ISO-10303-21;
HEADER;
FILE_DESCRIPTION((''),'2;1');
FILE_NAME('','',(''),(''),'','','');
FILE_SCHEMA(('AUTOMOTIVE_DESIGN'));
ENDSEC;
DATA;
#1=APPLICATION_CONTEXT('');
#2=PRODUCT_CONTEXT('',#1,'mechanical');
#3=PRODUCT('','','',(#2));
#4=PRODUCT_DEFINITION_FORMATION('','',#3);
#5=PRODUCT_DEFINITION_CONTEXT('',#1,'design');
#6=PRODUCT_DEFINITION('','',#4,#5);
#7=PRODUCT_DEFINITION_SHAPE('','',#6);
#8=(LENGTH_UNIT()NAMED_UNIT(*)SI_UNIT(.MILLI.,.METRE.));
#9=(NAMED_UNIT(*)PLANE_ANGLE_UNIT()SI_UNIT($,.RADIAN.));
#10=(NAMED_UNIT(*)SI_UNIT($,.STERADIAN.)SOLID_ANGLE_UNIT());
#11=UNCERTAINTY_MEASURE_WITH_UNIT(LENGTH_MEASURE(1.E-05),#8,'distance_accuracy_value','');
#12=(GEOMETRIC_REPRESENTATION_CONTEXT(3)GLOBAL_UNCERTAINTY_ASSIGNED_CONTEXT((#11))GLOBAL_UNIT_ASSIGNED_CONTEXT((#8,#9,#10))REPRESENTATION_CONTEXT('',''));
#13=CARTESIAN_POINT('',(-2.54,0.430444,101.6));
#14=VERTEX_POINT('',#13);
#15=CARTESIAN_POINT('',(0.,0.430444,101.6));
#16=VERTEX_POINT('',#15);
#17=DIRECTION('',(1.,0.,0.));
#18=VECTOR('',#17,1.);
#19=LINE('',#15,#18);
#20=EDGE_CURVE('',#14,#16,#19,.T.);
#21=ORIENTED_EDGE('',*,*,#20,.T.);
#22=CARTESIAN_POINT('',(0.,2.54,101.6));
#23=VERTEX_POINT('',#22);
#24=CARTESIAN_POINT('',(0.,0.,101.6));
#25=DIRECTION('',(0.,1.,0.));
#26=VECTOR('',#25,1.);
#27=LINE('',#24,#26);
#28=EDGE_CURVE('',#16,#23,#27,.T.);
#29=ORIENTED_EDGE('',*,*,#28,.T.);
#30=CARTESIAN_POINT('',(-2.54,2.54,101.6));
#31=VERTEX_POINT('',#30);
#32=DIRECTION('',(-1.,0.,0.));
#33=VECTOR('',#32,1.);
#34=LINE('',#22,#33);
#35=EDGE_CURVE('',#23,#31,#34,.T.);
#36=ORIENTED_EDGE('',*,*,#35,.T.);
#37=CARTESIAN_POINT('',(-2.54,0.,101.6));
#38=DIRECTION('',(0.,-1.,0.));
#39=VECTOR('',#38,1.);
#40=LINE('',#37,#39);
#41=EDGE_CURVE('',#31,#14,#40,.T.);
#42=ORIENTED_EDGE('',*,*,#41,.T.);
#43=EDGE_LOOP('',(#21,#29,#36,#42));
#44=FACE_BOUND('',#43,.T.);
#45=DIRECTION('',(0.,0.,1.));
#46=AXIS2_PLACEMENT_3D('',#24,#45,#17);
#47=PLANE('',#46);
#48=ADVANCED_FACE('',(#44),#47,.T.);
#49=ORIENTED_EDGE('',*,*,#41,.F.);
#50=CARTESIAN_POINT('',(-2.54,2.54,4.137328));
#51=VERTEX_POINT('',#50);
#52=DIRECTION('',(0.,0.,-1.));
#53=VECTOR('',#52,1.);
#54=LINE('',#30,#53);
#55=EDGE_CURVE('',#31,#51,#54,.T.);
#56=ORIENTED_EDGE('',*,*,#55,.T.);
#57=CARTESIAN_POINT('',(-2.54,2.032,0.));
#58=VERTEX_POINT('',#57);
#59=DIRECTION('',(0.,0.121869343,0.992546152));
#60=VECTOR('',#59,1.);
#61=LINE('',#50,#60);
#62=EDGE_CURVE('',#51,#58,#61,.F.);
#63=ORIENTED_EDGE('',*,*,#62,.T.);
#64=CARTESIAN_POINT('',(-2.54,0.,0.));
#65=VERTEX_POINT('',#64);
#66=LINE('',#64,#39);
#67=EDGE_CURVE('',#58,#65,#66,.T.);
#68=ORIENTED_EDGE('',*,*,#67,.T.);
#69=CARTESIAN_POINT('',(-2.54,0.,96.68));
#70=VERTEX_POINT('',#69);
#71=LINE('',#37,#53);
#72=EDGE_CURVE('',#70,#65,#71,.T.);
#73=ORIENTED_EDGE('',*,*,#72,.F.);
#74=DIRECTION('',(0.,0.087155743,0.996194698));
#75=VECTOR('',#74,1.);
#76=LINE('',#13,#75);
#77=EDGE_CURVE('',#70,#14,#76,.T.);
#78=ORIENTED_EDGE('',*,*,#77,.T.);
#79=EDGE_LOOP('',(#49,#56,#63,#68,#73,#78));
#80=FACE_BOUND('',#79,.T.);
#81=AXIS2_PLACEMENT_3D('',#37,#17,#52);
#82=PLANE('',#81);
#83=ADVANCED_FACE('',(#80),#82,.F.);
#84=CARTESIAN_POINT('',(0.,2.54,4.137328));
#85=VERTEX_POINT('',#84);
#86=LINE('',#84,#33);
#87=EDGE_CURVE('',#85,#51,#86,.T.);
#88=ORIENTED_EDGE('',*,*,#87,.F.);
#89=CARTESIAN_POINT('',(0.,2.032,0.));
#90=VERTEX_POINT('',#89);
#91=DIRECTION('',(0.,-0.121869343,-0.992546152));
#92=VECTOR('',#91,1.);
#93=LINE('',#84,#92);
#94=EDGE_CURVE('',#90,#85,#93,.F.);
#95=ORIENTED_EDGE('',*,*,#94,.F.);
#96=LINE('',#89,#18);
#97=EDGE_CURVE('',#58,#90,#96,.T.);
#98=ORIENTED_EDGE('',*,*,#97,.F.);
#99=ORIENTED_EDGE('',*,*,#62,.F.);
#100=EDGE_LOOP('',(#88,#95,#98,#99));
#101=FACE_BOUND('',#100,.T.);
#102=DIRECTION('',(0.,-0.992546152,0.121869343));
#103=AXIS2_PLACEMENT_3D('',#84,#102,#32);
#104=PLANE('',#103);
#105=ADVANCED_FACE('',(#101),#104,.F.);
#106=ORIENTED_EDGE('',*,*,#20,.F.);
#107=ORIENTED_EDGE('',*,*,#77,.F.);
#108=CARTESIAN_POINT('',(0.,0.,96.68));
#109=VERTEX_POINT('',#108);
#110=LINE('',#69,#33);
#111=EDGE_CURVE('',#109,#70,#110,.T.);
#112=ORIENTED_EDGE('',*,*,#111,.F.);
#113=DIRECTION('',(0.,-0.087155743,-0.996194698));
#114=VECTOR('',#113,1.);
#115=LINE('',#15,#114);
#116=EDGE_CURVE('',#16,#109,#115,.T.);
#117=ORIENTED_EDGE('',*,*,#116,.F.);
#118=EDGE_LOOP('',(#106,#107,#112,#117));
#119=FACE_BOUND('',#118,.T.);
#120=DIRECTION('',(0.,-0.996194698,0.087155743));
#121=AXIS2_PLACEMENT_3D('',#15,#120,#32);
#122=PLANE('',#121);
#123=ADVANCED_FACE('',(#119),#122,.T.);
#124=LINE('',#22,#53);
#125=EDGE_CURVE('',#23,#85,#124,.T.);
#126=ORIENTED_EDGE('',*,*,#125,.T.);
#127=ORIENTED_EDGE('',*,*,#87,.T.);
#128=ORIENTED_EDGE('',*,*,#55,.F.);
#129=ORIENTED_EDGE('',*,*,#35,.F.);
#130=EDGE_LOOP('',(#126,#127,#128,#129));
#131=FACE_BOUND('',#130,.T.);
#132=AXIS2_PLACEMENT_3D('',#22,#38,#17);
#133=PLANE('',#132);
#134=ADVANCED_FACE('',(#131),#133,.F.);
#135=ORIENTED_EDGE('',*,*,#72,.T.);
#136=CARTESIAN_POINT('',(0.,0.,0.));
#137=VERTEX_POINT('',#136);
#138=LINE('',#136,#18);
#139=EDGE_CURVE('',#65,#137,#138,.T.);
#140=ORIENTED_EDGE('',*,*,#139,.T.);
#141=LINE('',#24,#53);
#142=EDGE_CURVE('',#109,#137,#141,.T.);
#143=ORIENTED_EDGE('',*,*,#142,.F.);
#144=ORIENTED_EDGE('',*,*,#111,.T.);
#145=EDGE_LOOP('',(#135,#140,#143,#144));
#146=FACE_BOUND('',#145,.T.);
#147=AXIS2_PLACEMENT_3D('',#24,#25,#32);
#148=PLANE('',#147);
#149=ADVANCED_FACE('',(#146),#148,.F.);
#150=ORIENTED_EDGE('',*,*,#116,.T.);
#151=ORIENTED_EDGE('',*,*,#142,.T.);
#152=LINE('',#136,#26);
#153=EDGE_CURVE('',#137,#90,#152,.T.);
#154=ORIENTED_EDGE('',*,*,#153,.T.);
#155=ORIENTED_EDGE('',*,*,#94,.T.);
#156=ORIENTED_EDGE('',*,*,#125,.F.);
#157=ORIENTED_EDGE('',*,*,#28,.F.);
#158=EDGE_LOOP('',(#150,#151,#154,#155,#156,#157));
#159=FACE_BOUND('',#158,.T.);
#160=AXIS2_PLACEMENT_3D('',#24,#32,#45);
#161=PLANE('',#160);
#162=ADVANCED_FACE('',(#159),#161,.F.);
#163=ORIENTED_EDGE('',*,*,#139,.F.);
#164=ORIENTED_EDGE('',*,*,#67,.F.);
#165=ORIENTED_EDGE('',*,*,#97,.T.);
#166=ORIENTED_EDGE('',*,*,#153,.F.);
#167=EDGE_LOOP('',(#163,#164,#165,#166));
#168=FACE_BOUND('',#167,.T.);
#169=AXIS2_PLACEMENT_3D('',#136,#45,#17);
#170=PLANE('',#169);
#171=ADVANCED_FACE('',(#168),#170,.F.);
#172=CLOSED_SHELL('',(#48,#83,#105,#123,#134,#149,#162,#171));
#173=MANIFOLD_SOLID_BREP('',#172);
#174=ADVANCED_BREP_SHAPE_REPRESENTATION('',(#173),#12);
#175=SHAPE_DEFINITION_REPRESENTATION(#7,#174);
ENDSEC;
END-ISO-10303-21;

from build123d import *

# Parameters (mm, degrees)
SKETCH1_W           = 2.54
SKETCH1_H           = 2.54
BOSS_EXTRUDE1_DEPTH = 101.6
CHAMFER1_SIZE       = 4.92
CHAMFER1_SIZE2      = 0.430444225
CHAMFER2_SIZE       = 0.508
CHAMFER2_SIZE2      = 4.137327985


with BuildPart() as part:
    # Sketch1 → Boss-Extrude1 (new body)
    with BuildSketch(Plane.XY):
        with Locations((-1.27, 1.27)):
            Rectangle(SKETCH1_W, SKETCH1_H)
    extrude(amount=BOSS_EXTRUDE1_DEPTH)

    # Chamfer1
    chamfer1_edges = [part.edges().sort_by_distance(p)[0] for p in [
        (-1.27, 0, 101.6),
    ]]
    chamfer1_side = [part.faces().sort_by_distance(p)[0] for p in [
        (-1.27, 0, 50.8),
    ]]
    chamfer(chamfer1_edges, length=CHAMFER1_SIZE, length2=CHAMFER1_SIZE2, reference=chamfer1_side[0])

    # Chamfer2
    chamfer2_edges = [part.edges().sort_by_distance(p)[0] for p in [
        (-1.27, 2.54, 0),
    ]]
    chamfer2_side = [part.faces().sort_by_distance(p)[0] for p in [
        (-1.27, 1.27, 0),
    ]]
    chamfer(chamfer2_edges, length=CHAMFER2_SIZE, length2=CHAMFER2_SIZE2, reference=chamfer2_side[0])


solid = part.part
